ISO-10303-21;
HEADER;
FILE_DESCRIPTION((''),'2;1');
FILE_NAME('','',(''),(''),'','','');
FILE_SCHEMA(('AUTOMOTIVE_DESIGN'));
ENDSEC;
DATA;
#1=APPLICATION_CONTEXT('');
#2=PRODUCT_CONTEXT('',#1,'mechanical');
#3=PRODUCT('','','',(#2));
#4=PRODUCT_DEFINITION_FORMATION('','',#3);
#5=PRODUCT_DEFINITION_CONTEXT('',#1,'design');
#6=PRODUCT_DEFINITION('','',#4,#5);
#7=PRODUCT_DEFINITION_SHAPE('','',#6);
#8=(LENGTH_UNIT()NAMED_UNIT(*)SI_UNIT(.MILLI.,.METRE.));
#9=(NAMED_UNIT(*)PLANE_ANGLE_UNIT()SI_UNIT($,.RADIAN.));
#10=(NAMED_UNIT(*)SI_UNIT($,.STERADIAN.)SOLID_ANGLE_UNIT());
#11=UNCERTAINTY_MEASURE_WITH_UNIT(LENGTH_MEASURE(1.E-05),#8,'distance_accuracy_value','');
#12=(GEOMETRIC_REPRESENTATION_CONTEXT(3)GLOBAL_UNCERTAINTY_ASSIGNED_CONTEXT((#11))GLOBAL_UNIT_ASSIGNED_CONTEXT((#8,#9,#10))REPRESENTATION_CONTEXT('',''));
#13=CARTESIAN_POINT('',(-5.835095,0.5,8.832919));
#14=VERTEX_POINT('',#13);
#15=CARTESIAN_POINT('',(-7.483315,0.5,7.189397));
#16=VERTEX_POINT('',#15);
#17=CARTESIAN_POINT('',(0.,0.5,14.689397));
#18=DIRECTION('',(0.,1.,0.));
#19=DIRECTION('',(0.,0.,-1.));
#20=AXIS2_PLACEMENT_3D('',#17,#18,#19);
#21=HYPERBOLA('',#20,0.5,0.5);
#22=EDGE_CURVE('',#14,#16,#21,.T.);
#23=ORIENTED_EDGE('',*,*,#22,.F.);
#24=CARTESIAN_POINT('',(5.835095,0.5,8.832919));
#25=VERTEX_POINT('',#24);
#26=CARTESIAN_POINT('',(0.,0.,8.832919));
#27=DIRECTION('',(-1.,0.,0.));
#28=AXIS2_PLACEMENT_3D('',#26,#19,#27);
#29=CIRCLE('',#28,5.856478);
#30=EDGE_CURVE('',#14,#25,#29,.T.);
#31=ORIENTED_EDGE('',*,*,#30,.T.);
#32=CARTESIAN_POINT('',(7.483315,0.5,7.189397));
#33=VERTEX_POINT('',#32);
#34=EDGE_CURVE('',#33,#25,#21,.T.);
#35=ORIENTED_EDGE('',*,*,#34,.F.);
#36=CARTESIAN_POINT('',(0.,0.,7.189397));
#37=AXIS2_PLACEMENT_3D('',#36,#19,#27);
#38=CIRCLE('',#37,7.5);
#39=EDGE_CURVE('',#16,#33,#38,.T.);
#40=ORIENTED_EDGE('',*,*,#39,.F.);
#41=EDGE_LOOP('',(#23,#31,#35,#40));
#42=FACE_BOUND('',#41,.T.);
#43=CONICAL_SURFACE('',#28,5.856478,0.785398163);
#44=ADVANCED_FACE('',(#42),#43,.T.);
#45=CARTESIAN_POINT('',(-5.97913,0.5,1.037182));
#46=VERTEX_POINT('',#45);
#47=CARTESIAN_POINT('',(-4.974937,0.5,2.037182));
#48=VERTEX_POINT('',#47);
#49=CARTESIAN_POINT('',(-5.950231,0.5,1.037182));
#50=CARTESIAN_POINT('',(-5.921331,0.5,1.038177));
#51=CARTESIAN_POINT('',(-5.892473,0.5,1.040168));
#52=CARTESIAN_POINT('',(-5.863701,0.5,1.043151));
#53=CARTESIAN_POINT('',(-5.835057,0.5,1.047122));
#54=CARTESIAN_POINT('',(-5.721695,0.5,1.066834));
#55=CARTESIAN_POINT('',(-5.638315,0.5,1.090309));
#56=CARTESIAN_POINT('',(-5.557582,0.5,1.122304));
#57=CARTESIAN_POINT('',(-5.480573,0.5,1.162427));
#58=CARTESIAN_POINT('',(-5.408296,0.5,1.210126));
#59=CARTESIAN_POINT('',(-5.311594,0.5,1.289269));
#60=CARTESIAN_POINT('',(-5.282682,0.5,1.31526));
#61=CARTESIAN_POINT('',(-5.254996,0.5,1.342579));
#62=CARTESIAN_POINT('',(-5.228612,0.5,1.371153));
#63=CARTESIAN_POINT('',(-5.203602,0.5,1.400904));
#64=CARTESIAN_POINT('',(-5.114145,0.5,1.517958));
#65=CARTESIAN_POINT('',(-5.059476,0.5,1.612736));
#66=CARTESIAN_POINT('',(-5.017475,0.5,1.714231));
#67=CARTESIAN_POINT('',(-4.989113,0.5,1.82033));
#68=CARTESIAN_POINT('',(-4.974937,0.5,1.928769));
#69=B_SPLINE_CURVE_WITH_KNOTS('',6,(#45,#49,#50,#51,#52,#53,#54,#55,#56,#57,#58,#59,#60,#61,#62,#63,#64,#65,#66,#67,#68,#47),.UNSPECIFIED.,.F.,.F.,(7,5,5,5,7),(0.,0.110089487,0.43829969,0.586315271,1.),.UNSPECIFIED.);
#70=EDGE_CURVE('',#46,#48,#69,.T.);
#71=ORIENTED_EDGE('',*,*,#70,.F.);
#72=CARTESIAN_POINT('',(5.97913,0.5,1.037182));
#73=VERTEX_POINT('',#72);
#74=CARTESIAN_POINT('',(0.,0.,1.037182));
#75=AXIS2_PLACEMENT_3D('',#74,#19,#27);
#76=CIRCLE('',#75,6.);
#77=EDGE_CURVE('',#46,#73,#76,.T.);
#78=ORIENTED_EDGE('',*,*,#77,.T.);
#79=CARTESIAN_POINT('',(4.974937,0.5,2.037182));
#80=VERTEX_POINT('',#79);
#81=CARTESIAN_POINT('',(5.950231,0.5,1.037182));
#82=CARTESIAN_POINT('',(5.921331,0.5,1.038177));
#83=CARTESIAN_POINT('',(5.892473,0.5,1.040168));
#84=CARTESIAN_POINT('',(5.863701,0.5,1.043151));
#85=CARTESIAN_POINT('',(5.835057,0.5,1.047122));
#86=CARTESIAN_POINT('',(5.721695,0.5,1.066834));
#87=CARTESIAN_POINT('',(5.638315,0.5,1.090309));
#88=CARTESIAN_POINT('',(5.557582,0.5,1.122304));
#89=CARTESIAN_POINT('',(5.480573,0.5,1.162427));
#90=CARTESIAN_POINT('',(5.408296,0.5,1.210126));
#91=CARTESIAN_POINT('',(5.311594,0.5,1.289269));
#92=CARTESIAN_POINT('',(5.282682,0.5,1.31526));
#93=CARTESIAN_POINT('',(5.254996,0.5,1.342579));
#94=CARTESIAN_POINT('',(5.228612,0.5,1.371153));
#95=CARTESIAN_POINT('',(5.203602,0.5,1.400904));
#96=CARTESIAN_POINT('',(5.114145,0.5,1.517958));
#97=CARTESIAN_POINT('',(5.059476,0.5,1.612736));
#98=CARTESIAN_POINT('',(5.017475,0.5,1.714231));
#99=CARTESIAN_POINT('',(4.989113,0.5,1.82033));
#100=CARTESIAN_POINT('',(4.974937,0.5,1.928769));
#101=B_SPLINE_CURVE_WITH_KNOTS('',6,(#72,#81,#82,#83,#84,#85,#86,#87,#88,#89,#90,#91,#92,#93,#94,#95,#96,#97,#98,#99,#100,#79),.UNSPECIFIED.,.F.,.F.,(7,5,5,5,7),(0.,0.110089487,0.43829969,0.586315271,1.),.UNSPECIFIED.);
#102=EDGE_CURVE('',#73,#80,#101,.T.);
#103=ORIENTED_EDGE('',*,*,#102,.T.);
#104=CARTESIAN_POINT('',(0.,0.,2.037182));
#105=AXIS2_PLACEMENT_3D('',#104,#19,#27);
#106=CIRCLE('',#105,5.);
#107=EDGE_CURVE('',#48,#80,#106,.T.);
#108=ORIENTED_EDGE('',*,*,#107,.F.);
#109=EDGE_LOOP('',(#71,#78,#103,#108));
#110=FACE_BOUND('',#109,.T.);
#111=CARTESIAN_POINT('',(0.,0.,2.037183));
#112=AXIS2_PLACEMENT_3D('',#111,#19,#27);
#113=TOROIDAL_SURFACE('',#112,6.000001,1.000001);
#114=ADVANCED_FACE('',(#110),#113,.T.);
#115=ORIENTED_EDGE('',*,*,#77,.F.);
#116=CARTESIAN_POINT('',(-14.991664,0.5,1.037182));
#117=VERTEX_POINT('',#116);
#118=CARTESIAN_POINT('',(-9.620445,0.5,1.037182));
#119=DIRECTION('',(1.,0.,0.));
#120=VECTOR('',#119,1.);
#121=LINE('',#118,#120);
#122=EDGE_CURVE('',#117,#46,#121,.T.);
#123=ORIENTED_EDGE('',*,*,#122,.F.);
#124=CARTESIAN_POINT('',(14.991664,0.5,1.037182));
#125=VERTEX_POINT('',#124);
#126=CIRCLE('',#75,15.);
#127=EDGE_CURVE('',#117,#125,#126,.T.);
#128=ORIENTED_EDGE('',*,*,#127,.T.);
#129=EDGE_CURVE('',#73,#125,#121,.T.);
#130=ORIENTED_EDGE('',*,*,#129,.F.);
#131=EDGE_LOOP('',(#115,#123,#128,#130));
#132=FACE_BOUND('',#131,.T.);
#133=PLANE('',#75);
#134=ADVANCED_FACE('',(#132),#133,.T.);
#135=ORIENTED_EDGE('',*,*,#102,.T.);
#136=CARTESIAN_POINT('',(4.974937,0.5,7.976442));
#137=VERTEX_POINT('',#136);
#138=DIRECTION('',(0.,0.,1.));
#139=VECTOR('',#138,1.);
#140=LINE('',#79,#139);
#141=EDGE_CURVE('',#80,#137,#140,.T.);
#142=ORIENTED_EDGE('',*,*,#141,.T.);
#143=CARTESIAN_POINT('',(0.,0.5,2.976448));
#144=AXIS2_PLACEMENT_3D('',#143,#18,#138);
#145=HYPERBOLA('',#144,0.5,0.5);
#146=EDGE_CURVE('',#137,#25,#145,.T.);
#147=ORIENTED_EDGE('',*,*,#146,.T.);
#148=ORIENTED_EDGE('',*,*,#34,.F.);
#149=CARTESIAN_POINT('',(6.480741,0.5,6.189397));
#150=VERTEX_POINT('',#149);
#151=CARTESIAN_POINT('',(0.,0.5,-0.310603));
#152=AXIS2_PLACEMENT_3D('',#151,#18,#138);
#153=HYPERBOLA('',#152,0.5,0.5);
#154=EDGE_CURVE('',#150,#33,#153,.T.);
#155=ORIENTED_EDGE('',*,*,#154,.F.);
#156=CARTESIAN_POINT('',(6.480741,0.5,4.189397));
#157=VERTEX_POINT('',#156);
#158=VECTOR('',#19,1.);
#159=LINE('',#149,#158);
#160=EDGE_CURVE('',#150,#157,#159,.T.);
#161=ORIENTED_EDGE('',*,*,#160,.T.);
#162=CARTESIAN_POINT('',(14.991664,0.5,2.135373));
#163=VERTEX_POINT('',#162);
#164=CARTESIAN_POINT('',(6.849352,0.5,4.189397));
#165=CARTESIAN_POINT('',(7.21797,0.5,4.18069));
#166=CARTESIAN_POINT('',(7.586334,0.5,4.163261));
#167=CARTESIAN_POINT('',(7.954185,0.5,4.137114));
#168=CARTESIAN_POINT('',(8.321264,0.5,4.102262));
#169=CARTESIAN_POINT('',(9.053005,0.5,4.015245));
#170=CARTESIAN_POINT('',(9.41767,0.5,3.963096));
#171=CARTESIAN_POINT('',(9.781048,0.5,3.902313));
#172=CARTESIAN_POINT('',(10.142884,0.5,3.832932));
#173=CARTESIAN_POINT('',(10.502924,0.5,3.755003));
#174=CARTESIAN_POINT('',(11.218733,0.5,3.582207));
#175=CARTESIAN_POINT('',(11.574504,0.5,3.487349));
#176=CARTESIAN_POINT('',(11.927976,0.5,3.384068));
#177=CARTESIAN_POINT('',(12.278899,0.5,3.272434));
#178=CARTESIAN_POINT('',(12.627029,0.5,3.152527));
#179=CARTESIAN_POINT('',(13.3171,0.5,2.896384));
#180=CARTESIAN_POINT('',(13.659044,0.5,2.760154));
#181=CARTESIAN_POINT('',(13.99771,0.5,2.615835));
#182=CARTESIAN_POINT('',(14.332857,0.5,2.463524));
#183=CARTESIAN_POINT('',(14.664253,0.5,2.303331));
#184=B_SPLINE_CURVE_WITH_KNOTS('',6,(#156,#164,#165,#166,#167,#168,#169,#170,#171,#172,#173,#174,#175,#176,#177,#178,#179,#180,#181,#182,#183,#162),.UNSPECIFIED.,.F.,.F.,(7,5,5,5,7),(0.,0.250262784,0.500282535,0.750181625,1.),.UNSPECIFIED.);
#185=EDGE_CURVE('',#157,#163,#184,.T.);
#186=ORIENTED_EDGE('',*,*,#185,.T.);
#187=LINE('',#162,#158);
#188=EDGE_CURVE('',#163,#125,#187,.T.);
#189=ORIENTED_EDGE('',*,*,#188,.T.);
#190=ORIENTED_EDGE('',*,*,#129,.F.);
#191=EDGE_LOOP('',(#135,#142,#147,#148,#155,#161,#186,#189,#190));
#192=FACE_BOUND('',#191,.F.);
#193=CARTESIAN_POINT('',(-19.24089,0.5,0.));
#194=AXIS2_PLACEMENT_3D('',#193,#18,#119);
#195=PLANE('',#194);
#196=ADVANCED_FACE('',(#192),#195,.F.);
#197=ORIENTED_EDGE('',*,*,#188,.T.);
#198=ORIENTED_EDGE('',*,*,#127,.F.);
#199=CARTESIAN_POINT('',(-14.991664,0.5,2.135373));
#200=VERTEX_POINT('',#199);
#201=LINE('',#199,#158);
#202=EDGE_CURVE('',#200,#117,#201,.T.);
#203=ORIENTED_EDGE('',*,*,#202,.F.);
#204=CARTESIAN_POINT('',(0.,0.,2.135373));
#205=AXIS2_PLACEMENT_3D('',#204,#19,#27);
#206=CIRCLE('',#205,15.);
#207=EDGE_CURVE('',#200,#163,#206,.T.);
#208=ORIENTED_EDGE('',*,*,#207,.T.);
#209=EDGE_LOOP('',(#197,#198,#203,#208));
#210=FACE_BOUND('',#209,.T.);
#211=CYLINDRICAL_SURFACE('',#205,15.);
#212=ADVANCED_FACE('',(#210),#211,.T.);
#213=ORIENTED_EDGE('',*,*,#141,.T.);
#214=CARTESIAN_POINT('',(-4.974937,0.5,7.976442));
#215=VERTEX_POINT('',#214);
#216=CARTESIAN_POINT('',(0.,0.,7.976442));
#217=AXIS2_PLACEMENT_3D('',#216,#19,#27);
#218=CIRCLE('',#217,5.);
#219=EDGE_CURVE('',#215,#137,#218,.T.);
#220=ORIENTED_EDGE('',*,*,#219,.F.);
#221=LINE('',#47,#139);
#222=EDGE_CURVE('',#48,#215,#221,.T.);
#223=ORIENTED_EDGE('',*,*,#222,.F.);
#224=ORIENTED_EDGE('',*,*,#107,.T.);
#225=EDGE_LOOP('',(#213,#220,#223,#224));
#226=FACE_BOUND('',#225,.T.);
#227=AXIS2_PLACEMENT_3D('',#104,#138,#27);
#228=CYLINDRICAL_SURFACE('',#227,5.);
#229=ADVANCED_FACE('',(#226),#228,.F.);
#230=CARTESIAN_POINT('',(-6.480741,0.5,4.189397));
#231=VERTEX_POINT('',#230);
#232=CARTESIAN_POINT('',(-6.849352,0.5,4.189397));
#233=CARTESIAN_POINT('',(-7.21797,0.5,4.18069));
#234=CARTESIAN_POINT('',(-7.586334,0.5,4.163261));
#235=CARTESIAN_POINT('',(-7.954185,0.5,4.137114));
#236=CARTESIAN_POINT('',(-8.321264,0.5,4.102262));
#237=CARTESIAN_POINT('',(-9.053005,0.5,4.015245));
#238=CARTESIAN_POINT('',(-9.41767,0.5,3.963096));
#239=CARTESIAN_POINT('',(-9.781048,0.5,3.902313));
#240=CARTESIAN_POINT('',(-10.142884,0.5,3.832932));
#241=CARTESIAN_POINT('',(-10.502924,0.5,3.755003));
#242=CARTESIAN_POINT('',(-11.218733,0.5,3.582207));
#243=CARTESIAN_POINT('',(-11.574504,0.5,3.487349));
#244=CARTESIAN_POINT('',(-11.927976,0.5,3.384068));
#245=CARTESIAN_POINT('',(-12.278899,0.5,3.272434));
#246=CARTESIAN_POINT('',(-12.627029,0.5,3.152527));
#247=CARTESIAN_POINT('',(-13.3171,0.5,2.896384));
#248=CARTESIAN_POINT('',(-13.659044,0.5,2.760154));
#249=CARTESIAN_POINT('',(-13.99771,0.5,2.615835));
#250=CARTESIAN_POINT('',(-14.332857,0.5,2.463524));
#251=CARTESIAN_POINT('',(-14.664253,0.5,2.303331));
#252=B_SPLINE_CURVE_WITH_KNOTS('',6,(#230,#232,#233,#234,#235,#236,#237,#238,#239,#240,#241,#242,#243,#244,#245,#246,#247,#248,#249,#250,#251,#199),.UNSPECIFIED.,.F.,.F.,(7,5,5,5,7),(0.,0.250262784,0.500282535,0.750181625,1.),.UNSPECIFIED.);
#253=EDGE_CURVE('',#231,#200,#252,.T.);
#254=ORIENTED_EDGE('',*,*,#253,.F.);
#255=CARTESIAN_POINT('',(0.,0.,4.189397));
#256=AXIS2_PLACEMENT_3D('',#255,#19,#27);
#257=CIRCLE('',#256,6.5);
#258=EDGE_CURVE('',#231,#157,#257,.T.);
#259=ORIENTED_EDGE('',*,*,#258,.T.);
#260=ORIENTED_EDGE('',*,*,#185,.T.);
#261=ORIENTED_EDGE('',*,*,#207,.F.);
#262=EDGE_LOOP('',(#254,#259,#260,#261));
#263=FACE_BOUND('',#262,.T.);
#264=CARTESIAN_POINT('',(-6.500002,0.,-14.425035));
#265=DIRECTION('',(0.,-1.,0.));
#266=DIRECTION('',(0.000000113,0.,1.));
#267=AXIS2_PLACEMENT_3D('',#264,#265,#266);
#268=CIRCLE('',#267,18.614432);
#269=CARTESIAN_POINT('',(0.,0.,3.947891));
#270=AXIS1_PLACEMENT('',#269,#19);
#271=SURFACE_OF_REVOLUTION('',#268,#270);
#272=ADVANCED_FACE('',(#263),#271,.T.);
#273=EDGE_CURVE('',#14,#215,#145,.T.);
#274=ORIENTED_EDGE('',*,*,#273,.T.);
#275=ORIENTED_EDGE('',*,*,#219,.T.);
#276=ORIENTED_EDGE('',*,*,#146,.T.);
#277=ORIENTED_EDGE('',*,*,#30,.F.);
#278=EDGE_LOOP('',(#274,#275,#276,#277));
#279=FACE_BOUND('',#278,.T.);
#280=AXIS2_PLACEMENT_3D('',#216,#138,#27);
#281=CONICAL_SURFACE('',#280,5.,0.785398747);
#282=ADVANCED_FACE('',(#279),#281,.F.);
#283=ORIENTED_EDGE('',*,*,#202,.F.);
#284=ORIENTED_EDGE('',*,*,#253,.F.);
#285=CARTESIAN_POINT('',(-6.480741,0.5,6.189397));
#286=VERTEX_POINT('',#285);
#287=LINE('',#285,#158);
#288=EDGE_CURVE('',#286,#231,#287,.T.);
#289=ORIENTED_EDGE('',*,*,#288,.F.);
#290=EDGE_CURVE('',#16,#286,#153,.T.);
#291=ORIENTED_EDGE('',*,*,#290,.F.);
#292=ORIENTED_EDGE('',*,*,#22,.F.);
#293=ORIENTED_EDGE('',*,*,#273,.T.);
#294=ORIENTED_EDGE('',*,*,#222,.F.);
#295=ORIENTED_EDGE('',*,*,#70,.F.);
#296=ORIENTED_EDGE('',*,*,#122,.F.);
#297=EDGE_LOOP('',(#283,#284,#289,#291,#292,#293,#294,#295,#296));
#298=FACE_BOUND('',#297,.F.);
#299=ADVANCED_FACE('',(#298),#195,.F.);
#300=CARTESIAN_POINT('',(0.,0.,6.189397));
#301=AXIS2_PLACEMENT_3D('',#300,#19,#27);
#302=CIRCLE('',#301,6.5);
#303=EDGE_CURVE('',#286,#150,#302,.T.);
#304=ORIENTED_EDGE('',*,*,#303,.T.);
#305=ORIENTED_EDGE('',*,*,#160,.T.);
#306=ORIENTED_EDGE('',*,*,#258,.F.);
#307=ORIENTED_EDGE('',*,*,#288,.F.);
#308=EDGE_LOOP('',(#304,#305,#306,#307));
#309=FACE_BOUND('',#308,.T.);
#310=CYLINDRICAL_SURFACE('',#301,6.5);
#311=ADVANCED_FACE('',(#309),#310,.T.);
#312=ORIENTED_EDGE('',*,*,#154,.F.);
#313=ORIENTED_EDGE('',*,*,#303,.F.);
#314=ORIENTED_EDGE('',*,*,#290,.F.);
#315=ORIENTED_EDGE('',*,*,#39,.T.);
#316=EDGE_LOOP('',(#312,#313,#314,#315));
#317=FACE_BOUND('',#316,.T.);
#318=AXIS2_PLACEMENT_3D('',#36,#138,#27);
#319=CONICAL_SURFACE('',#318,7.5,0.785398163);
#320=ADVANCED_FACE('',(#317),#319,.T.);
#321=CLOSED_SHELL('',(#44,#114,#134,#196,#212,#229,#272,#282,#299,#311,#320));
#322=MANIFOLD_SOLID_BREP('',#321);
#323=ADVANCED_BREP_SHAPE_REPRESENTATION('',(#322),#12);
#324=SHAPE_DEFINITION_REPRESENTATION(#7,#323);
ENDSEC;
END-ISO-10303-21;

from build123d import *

# Parameters (mm, degrees)
F1_ANGLE = 180
F2_W     = 37.850172
F2_H     = 1.105263
F3_DEPTH = 25


with BuildPart() as f1:
    # F0 (on Front) → F1 (revolve)
    with BuildSketch(Plane.XZ):
        with BuildLine():
            Line((-5, 2.037182), (-5, 7.976442))
            Line((-5, 7.976442), (-5.856478, 8.832919))
            Line((-5.856478, 8.832919), (-7.5, 7.189397))
            Line((-7.5, 7.189397), (-6.5, 6.189397))
            Line((-6.5, 6.189397), (-6.5, 4.189397))
            ThreePointArc((-6.5, 4.189397), (-10.872328, 3.668606), (-15, 2.135373))
            Line((-15, 2.135373), (-15, 1.037182))
            Line((-15, 1.037182), (-6, 1.037182))
            ThreePointArc((-6, 1.037182), (-5.292893, 1.330076), (-5, 2.037182))
        make_face()
    revolve(axis=Axis((0, 0, 3.947891), (0, 0, -1)), revolution_arc=F1_ANGLE)

    # F2 (on Top) → F3 (cut)
    with BuildSketch(Plane.XY):
        with Locations((-0.315804, -0.052631)):
            Rectangle(F2_W, F2_H)
    extrude(amount=F3_DEPTH, mode=Mode.SUBTRACT)


solid = f1.part
